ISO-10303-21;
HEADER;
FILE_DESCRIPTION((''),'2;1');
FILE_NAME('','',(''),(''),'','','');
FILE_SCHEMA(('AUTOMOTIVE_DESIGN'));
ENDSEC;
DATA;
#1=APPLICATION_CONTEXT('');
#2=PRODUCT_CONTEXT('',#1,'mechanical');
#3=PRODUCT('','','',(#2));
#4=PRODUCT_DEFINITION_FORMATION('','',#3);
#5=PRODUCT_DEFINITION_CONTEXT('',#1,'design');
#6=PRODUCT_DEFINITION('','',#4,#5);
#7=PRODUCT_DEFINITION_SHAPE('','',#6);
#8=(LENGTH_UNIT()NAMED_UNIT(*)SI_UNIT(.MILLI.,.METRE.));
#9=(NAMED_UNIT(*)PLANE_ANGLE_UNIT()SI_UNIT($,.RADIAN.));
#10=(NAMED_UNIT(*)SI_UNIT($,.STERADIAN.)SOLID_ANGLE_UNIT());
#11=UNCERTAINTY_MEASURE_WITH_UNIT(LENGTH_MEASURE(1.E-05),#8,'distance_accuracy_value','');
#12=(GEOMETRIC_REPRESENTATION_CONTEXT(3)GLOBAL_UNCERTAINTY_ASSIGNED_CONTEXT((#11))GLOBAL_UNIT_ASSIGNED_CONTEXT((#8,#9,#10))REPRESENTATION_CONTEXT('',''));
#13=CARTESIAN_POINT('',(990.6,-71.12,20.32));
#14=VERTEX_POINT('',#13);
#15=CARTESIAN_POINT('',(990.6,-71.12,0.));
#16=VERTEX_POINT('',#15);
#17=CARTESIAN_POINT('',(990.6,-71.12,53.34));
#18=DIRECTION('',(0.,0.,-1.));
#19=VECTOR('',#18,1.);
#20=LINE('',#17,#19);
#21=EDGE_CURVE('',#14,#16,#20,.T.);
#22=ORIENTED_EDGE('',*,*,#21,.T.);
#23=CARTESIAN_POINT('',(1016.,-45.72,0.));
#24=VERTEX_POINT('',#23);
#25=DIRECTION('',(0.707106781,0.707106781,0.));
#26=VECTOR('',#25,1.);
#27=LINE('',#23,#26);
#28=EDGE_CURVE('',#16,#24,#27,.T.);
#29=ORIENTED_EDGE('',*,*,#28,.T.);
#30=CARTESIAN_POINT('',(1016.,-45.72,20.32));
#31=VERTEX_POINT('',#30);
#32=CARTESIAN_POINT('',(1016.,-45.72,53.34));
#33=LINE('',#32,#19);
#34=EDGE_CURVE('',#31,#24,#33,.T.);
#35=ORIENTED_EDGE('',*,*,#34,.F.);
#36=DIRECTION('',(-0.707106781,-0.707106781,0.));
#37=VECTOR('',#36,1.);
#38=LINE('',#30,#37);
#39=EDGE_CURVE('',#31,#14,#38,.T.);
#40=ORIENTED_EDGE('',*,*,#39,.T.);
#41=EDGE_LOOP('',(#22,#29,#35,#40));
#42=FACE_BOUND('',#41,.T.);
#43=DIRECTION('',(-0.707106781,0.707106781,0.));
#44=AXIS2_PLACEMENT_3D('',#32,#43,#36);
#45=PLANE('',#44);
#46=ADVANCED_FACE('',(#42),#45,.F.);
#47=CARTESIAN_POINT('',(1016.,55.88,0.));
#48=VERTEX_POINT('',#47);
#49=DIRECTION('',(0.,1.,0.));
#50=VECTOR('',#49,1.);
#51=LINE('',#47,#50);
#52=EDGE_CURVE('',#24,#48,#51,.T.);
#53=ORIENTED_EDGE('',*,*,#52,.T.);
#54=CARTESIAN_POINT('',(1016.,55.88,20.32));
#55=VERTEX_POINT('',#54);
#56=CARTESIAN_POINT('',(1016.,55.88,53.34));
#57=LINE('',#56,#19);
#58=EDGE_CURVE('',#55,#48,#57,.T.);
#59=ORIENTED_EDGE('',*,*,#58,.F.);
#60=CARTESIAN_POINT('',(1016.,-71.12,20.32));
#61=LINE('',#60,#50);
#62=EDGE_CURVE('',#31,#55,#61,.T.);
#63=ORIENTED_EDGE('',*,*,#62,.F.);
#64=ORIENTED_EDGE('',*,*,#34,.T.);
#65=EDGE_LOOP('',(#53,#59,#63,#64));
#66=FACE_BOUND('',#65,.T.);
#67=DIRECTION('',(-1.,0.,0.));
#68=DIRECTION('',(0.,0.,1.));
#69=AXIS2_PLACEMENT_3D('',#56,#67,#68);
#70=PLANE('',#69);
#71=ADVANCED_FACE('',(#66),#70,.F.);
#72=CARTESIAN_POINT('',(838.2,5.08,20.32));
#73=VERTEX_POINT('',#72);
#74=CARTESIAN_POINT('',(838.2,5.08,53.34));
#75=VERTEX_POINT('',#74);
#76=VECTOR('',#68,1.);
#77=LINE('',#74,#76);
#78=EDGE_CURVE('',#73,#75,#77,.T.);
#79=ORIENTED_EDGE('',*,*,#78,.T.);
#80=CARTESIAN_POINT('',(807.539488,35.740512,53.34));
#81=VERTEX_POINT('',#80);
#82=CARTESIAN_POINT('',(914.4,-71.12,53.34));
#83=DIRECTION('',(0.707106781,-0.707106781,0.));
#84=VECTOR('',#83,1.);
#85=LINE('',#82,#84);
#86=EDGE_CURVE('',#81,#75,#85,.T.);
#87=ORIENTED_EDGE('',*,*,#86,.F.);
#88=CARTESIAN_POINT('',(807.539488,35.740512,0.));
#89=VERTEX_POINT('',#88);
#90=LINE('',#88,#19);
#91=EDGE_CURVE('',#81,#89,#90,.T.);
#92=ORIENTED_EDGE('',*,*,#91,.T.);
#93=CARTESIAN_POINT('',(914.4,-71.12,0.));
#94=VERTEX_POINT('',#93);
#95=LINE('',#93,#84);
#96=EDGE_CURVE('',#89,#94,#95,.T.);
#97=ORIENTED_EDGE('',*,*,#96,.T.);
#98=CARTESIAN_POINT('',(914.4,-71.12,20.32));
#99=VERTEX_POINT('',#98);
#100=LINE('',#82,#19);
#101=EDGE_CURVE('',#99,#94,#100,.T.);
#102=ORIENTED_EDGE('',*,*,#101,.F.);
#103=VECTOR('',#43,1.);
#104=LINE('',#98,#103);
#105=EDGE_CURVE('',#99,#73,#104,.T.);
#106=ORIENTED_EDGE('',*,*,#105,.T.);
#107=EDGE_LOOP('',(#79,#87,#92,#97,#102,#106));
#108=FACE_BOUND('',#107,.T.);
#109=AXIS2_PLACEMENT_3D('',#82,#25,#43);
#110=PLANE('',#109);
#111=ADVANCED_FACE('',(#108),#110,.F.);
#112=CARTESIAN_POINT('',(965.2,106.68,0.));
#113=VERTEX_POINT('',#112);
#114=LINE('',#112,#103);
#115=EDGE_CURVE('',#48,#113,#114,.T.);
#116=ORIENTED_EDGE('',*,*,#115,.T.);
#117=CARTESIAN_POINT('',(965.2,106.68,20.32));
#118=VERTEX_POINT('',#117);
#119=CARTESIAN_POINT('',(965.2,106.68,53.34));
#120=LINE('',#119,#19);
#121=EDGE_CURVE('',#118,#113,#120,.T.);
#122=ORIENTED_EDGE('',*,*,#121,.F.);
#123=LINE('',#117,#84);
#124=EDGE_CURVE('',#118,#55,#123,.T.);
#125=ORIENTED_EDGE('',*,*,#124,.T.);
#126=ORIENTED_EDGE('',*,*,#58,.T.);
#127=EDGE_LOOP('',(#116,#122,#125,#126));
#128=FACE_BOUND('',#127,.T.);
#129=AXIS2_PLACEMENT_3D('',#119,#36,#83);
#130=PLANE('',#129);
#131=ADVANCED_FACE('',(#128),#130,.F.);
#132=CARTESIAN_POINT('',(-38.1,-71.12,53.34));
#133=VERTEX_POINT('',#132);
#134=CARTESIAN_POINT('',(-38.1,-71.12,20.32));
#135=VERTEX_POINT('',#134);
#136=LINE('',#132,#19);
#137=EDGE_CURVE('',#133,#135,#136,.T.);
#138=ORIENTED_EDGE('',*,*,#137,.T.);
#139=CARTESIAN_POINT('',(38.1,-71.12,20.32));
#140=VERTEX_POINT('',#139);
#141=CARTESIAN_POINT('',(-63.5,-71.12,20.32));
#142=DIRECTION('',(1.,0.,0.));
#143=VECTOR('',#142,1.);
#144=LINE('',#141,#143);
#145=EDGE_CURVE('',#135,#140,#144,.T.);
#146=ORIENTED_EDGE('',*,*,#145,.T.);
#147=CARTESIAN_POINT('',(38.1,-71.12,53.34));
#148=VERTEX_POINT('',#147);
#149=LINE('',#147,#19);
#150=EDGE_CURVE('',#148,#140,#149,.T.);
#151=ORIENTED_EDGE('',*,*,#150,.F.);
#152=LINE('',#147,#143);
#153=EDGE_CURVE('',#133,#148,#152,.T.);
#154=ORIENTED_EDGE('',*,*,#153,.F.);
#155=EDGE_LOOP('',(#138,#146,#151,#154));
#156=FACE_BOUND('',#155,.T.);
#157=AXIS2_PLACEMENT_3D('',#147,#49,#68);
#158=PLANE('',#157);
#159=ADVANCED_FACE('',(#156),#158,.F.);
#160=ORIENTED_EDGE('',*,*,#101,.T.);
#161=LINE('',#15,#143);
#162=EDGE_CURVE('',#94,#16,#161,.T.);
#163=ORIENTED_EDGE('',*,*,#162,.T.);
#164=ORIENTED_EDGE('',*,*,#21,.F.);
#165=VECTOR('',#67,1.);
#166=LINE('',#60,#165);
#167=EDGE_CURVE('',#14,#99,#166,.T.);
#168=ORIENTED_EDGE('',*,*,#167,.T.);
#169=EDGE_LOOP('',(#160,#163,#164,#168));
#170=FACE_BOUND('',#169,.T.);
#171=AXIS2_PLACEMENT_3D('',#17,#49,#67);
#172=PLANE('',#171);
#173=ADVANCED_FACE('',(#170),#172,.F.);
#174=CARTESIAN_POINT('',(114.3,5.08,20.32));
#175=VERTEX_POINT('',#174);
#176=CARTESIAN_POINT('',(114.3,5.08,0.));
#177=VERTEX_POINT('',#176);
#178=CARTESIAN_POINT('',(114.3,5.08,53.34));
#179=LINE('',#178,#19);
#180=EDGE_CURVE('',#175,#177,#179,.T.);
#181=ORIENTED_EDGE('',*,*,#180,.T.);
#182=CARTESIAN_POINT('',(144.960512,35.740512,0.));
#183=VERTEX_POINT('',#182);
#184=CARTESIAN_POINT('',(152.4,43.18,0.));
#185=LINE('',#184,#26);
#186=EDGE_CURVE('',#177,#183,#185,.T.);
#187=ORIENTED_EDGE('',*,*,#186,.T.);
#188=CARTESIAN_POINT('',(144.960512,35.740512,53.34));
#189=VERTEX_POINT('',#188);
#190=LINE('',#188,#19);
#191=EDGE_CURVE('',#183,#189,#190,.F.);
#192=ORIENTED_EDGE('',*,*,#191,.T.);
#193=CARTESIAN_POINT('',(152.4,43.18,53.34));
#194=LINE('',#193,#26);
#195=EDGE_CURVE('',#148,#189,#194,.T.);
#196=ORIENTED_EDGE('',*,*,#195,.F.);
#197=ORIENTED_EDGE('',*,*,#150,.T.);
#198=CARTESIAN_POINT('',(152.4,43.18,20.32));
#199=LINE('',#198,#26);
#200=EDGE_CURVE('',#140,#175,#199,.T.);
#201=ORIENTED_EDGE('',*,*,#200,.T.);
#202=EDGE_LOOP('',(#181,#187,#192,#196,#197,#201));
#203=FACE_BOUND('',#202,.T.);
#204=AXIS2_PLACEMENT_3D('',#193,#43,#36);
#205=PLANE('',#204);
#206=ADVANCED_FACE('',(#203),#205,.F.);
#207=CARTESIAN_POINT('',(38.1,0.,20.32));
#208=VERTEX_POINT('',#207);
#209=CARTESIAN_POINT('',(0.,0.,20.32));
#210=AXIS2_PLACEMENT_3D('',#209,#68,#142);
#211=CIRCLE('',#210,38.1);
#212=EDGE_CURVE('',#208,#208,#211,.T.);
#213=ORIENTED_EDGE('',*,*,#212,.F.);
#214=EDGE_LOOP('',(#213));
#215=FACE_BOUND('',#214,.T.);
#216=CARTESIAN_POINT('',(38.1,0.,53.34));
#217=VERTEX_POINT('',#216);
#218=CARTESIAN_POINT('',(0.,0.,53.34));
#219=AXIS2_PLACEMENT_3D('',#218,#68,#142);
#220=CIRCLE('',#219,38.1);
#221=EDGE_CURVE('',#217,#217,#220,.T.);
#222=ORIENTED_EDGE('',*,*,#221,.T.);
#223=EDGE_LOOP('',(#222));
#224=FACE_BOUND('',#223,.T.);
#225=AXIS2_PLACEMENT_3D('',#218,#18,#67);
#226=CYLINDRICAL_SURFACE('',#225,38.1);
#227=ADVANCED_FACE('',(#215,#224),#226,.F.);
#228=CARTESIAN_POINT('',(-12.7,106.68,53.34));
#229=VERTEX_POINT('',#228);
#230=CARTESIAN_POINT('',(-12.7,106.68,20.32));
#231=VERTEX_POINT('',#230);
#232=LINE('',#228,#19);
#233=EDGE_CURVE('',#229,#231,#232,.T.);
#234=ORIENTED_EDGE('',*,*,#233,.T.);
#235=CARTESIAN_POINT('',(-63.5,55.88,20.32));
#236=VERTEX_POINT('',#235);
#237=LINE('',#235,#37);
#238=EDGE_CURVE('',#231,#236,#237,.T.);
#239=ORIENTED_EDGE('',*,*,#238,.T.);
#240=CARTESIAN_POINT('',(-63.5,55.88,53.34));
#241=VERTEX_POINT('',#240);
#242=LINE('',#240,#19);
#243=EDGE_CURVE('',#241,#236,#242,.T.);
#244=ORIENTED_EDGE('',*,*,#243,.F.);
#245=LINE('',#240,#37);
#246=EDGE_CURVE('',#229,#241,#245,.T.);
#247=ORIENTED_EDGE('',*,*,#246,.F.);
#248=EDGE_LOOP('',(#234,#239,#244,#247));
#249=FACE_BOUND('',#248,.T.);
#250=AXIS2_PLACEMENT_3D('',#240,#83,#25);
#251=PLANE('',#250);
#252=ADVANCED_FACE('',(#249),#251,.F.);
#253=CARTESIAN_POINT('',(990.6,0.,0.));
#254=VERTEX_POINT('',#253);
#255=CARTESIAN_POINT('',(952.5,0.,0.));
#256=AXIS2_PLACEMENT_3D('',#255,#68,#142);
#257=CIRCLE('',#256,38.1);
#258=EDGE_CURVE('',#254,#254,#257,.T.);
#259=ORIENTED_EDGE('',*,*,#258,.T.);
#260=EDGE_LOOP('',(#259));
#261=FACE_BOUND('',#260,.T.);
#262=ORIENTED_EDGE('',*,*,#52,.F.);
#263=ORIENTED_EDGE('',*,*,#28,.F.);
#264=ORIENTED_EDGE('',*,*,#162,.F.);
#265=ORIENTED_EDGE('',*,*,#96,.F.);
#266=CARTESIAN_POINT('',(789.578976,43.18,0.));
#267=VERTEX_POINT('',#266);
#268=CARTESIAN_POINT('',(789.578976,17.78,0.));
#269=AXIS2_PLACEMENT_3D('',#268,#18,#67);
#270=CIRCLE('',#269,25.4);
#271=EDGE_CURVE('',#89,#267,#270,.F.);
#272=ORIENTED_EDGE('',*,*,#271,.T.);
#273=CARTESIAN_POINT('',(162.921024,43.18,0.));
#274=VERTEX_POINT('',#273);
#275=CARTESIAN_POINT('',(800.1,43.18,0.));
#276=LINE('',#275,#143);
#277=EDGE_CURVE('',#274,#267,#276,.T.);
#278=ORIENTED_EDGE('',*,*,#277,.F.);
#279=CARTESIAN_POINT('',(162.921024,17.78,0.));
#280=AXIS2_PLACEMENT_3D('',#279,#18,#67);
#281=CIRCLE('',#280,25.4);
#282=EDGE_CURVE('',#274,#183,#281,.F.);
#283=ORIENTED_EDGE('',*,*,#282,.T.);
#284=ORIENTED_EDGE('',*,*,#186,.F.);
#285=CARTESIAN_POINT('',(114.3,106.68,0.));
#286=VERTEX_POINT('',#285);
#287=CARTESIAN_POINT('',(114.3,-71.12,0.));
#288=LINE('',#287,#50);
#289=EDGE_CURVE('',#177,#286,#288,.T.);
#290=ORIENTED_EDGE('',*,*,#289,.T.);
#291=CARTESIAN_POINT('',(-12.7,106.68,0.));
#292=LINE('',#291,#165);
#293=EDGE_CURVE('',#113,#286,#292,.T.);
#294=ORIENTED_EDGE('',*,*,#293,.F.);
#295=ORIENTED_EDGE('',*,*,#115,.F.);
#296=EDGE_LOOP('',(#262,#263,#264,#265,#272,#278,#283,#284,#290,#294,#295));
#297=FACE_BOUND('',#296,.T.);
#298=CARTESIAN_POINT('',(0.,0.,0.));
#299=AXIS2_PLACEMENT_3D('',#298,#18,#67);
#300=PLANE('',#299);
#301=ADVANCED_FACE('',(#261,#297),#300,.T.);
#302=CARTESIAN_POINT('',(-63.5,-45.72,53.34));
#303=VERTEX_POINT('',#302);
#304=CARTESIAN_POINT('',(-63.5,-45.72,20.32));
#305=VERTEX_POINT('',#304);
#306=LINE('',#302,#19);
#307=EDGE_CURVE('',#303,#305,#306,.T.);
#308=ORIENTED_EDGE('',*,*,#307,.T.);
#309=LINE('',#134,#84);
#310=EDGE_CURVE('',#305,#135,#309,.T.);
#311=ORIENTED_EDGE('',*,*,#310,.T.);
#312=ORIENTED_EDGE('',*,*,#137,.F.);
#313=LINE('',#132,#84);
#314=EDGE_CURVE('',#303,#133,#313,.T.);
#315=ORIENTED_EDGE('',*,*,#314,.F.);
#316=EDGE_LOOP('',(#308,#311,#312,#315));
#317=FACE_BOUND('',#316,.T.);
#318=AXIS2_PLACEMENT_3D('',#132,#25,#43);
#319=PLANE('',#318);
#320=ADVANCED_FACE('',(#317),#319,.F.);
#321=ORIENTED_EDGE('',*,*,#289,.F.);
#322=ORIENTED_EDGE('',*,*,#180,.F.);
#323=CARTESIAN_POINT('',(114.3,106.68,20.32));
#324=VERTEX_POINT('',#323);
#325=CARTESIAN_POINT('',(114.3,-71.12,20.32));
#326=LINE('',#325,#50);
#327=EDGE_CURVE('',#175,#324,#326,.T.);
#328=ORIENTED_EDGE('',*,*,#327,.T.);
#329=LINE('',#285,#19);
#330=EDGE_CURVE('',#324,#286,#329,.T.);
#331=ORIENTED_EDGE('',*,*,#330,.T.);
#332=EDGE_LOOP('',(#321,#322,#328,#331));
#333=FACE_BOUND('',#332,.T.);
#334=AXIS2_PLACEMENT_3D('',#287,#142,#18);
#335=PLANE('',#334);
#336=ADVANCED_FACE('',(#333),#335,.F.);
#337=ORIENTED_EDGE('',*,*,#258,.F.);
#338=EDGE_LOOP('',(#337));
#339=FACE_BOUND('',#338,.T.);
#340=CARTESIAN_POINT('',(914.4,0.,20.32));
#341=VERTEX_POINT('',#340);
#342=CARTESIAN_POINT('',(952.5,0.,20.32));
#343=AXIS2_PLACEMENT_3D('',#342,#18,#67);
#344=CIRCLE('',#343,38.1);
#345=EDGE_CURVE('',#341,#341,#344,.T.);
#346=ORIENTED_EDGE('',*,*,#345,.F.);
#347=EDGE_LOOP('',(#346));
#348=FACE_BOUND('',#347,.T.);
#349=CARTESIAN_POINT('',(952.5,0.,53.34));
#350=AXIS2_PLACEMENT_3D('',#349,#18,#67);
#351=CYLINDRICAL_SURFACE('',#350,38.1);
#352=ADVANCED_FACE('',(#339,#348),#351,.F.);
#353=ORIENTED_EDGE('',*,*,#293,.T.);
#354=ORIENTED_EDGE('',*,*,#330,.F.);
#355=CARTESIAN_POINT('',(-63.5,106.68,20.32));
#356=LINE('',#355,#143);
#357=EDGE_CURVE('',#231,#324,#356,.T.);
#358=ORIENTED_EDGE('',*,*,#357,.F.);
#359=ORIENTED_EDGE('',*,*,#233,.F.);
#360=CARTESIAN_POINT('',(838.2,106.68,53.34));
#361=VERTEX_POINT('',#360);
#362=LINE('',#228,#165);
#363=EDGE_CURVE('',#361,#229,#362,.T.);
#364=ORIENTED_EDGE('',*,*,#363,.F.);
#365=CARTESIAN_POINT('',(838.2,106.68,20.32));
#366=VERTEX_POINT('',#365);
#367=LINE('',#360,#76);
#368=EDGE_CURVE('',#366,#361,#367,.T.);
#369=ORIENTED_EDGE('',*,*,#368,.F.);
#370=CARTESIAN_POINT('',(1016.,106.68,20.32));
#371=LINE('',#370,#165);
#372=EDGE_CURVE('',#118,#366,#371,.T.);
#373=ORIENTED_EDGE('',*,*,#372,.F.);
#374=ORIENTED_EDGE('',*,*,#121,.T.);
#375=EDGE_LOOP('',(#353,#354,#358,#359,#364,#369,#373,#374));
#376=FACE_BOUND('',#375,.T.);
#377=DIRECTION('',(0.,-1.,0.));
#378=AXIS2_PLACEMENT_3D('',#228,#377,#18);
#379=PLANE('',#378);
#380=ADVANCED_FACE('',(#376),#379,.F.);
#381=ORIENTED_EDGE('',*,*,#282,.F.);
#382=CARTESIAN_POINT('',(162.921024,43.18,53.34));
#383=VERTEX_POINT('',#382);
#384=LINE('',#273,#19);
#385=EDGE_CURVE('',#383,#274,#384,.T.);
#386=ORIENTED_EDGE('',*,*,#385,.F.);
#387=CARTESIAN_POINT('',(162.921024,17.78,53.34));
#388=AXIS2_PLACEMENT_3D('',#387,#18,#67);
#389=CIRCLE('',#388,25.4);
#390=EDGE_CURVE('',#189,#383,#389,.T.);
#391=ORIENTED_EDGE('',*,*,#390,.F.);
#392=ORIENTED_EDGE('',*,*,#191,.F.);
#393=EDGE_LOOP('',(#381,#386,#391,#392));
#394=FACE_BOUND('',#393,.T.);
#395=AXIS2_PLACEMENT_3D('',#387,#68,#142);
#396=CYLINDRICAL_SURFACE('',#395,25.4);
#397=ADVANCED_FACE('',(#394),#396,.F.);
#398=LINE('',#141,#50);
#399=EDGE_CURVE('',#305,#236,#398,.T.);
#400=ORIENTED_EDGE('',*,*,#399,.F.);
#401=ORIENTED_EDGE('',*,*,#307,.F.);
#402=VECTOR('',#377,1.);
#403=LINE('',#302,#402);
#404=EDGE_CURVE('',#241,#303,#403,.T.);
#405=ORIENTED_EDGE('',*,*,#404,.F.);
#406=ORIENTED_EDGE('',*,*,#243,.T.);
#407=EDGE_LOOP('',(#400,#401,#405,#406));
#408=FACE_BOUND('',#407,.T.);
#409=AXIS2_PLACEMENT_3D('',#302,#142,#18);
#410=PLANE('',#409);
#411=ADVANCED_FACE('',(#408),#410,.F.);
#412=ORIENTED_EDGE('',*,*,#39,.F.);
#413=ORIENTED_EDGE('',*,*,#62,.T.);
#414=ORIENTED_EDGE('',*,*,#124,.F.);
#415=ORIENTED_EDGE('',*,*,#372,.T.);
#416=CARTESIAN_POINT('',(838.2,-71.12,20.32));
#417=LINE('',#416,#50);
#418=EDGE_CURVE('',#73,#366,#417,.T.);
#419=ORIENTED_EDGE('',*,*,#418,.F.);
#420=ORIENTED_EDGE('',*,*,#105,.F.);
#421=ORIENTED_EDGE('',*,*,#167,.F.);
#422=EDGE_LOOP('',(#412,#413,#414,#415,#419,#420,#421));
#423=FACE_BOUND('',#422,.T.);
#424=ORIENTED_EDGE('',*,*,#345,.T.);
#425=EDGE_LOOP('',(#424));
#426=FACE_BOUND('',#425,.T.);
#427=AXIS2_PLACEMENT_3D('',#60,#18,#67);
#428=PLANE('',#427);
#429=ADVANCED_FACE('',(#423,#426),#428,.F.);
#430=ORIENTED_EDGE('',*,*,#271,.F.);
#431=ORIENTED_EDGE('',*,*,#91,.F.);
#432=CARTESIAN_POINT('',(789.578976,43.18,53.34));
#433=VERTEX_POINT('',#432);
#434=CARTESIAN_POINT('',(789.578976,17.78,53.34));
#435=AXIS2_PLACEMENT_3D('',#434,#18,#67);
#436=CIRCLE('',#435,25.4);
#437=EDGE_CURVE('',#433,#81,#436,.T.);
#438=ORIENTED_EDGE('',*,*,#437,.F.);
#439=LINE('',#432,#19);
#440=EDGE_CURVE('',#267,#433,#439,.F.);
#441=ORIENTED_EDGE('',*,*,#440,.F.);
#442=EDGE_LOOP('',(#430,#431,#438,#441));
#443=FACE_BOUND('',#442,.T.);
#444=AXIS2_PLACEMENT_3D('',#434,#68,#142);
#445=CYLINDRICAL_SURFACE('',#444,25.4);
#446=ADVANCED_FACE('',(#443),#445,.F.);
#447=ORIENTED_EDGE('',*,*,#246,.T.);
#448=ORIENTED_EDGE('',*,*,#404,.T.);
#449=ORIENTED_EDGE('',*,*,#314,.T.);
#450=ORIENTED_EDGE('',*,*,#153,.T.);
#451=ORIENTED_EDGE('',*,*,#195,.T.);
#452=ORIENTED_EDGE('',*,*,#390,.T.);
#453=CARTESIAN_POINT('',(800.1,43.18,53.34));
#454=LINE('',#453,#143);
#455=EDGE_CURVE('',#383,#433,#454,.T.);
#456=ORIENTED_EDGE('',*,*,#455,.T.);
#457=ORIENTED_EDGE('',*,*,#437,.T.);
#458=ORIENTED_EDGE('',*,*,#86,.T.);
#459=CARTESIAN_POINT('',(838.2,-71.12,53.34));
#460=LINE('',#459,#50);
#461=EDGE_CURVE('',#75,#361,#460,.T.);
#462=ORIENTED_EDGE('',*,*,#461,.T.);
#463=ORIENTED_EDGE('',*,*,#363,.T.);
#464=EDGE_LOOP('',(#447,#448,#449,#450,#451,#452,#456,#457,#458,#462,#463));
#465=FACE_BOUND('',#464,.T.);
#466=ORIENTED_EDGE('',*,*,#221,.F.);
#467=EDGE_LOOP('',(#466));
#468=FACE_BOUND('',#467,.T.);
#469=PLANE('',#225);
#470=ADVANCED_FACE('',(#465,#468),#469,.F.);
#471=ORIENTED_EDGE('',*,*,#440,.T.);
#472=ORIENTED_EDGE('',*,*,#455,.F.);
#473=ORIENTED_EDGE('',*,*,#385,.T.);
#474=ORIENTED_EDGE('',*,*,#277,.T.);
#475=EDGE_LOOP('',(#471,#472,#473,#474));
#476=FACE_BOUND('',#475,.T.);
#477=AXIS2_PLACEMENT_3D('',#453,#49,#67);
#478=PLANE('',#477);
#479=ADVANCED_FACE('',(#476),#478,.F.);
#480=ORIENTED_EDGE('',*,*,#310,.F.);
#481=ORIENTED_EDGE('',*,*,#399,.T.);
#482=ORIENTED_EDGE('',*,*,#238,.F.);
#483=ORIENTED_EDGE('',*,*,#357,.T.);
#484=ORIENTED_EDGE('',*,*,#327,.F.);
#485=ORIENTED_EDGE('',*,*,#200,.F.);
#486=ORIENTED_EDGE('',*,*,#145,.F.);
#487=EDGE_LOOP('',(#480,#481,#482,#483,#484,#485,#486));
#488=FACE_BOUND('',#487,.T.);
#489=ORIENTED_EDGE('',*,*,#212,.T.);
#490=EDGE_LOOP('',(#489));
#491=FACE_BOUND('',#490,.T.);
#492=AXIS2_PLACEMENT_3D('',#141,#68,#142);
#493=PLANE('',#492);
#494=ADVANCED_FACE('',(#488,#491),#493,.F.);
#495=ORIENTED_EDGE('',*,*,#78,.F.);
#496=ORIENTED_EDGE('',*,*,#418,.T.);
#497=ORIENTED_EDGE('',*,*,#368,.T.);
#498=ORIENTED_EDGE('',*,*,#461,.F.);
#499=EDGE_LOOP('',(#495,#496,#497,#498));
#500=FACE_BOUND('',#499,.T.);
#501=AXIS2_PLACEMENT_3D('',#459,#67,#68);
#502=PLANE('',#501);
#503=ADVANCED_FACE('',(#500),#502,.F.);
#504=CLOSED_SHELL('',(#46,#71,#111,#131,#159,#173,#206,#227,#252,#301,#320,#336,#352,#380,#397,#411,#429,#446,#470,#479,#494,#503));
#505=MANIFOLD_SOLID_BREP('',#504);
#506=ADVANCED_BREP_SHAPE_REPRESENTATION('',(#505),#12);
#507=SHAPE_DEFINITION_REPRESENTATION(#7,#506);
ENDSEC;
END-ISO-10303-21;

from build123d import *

# Parameters (mm, degrees)
SKETCH4_R       = 38.1
BASE_DEPTH      = 53.34
SKETCH5_W       = 177.8
SKETCH5_H       = 20.32
SKETCH5_H_2     = 33.02
SIDE_CUTS_DEPTH = 178.8
BOTTOM_FILLET_R = 25.4


with BuildPart() as part:
    # Sketch4 → Base (new body)
    with BuildSketch(Plane.XY):
        Polygon((38.1, -71.12), (-38.1, -71.12), (-63.5, -45.72), (-63.5, 55.88), (-12.7, 106.68), (965.2, 106.68), (1016, 55.88), (1016, -45.72), (990.6, -71.12), (914.4, -71.12), (800.1, 43.18), (152.4, 43.18), align=None)
        Circle(SKETCH4_R, mode=Mode.SUBTRACT)
        with Locations((952.5, 0)):
            Circle(SKETCH4_R, mode=Mode.SUBTRACT)
    extrude(amount=BASE_DEPTH)

    # Sketch5 → side cuts (cut, through all)
    with BuildSketch(Plane(origin=(0, 106.68, 0), x_dir=(1, 0, 0), z_dir=(0, 1, 0))):
        with Locations((25.4, -10.16)):
            Rectangle(SKETCH5_W, SKETCH5_H)
        with Locations((927.1, -36.83)):
            Rectangle(SKETCH5_W, SKETCH5_H_2)
    extrude(amount=-SIDE_CUTS_DEPTH, mode=Mode.SUBTRACT)

    # bottom fillet
    bottom_fillet_edges = [part.edges().sort_by_distance(p)[0] for p in [
        (800.1, 43.18, 26.67),
        (152.4, 43.18, 26.67),
    ]]
    fillet(bottom_fillet_edges, radius=BOTTOM_FILLET_R)


solid = part.part
